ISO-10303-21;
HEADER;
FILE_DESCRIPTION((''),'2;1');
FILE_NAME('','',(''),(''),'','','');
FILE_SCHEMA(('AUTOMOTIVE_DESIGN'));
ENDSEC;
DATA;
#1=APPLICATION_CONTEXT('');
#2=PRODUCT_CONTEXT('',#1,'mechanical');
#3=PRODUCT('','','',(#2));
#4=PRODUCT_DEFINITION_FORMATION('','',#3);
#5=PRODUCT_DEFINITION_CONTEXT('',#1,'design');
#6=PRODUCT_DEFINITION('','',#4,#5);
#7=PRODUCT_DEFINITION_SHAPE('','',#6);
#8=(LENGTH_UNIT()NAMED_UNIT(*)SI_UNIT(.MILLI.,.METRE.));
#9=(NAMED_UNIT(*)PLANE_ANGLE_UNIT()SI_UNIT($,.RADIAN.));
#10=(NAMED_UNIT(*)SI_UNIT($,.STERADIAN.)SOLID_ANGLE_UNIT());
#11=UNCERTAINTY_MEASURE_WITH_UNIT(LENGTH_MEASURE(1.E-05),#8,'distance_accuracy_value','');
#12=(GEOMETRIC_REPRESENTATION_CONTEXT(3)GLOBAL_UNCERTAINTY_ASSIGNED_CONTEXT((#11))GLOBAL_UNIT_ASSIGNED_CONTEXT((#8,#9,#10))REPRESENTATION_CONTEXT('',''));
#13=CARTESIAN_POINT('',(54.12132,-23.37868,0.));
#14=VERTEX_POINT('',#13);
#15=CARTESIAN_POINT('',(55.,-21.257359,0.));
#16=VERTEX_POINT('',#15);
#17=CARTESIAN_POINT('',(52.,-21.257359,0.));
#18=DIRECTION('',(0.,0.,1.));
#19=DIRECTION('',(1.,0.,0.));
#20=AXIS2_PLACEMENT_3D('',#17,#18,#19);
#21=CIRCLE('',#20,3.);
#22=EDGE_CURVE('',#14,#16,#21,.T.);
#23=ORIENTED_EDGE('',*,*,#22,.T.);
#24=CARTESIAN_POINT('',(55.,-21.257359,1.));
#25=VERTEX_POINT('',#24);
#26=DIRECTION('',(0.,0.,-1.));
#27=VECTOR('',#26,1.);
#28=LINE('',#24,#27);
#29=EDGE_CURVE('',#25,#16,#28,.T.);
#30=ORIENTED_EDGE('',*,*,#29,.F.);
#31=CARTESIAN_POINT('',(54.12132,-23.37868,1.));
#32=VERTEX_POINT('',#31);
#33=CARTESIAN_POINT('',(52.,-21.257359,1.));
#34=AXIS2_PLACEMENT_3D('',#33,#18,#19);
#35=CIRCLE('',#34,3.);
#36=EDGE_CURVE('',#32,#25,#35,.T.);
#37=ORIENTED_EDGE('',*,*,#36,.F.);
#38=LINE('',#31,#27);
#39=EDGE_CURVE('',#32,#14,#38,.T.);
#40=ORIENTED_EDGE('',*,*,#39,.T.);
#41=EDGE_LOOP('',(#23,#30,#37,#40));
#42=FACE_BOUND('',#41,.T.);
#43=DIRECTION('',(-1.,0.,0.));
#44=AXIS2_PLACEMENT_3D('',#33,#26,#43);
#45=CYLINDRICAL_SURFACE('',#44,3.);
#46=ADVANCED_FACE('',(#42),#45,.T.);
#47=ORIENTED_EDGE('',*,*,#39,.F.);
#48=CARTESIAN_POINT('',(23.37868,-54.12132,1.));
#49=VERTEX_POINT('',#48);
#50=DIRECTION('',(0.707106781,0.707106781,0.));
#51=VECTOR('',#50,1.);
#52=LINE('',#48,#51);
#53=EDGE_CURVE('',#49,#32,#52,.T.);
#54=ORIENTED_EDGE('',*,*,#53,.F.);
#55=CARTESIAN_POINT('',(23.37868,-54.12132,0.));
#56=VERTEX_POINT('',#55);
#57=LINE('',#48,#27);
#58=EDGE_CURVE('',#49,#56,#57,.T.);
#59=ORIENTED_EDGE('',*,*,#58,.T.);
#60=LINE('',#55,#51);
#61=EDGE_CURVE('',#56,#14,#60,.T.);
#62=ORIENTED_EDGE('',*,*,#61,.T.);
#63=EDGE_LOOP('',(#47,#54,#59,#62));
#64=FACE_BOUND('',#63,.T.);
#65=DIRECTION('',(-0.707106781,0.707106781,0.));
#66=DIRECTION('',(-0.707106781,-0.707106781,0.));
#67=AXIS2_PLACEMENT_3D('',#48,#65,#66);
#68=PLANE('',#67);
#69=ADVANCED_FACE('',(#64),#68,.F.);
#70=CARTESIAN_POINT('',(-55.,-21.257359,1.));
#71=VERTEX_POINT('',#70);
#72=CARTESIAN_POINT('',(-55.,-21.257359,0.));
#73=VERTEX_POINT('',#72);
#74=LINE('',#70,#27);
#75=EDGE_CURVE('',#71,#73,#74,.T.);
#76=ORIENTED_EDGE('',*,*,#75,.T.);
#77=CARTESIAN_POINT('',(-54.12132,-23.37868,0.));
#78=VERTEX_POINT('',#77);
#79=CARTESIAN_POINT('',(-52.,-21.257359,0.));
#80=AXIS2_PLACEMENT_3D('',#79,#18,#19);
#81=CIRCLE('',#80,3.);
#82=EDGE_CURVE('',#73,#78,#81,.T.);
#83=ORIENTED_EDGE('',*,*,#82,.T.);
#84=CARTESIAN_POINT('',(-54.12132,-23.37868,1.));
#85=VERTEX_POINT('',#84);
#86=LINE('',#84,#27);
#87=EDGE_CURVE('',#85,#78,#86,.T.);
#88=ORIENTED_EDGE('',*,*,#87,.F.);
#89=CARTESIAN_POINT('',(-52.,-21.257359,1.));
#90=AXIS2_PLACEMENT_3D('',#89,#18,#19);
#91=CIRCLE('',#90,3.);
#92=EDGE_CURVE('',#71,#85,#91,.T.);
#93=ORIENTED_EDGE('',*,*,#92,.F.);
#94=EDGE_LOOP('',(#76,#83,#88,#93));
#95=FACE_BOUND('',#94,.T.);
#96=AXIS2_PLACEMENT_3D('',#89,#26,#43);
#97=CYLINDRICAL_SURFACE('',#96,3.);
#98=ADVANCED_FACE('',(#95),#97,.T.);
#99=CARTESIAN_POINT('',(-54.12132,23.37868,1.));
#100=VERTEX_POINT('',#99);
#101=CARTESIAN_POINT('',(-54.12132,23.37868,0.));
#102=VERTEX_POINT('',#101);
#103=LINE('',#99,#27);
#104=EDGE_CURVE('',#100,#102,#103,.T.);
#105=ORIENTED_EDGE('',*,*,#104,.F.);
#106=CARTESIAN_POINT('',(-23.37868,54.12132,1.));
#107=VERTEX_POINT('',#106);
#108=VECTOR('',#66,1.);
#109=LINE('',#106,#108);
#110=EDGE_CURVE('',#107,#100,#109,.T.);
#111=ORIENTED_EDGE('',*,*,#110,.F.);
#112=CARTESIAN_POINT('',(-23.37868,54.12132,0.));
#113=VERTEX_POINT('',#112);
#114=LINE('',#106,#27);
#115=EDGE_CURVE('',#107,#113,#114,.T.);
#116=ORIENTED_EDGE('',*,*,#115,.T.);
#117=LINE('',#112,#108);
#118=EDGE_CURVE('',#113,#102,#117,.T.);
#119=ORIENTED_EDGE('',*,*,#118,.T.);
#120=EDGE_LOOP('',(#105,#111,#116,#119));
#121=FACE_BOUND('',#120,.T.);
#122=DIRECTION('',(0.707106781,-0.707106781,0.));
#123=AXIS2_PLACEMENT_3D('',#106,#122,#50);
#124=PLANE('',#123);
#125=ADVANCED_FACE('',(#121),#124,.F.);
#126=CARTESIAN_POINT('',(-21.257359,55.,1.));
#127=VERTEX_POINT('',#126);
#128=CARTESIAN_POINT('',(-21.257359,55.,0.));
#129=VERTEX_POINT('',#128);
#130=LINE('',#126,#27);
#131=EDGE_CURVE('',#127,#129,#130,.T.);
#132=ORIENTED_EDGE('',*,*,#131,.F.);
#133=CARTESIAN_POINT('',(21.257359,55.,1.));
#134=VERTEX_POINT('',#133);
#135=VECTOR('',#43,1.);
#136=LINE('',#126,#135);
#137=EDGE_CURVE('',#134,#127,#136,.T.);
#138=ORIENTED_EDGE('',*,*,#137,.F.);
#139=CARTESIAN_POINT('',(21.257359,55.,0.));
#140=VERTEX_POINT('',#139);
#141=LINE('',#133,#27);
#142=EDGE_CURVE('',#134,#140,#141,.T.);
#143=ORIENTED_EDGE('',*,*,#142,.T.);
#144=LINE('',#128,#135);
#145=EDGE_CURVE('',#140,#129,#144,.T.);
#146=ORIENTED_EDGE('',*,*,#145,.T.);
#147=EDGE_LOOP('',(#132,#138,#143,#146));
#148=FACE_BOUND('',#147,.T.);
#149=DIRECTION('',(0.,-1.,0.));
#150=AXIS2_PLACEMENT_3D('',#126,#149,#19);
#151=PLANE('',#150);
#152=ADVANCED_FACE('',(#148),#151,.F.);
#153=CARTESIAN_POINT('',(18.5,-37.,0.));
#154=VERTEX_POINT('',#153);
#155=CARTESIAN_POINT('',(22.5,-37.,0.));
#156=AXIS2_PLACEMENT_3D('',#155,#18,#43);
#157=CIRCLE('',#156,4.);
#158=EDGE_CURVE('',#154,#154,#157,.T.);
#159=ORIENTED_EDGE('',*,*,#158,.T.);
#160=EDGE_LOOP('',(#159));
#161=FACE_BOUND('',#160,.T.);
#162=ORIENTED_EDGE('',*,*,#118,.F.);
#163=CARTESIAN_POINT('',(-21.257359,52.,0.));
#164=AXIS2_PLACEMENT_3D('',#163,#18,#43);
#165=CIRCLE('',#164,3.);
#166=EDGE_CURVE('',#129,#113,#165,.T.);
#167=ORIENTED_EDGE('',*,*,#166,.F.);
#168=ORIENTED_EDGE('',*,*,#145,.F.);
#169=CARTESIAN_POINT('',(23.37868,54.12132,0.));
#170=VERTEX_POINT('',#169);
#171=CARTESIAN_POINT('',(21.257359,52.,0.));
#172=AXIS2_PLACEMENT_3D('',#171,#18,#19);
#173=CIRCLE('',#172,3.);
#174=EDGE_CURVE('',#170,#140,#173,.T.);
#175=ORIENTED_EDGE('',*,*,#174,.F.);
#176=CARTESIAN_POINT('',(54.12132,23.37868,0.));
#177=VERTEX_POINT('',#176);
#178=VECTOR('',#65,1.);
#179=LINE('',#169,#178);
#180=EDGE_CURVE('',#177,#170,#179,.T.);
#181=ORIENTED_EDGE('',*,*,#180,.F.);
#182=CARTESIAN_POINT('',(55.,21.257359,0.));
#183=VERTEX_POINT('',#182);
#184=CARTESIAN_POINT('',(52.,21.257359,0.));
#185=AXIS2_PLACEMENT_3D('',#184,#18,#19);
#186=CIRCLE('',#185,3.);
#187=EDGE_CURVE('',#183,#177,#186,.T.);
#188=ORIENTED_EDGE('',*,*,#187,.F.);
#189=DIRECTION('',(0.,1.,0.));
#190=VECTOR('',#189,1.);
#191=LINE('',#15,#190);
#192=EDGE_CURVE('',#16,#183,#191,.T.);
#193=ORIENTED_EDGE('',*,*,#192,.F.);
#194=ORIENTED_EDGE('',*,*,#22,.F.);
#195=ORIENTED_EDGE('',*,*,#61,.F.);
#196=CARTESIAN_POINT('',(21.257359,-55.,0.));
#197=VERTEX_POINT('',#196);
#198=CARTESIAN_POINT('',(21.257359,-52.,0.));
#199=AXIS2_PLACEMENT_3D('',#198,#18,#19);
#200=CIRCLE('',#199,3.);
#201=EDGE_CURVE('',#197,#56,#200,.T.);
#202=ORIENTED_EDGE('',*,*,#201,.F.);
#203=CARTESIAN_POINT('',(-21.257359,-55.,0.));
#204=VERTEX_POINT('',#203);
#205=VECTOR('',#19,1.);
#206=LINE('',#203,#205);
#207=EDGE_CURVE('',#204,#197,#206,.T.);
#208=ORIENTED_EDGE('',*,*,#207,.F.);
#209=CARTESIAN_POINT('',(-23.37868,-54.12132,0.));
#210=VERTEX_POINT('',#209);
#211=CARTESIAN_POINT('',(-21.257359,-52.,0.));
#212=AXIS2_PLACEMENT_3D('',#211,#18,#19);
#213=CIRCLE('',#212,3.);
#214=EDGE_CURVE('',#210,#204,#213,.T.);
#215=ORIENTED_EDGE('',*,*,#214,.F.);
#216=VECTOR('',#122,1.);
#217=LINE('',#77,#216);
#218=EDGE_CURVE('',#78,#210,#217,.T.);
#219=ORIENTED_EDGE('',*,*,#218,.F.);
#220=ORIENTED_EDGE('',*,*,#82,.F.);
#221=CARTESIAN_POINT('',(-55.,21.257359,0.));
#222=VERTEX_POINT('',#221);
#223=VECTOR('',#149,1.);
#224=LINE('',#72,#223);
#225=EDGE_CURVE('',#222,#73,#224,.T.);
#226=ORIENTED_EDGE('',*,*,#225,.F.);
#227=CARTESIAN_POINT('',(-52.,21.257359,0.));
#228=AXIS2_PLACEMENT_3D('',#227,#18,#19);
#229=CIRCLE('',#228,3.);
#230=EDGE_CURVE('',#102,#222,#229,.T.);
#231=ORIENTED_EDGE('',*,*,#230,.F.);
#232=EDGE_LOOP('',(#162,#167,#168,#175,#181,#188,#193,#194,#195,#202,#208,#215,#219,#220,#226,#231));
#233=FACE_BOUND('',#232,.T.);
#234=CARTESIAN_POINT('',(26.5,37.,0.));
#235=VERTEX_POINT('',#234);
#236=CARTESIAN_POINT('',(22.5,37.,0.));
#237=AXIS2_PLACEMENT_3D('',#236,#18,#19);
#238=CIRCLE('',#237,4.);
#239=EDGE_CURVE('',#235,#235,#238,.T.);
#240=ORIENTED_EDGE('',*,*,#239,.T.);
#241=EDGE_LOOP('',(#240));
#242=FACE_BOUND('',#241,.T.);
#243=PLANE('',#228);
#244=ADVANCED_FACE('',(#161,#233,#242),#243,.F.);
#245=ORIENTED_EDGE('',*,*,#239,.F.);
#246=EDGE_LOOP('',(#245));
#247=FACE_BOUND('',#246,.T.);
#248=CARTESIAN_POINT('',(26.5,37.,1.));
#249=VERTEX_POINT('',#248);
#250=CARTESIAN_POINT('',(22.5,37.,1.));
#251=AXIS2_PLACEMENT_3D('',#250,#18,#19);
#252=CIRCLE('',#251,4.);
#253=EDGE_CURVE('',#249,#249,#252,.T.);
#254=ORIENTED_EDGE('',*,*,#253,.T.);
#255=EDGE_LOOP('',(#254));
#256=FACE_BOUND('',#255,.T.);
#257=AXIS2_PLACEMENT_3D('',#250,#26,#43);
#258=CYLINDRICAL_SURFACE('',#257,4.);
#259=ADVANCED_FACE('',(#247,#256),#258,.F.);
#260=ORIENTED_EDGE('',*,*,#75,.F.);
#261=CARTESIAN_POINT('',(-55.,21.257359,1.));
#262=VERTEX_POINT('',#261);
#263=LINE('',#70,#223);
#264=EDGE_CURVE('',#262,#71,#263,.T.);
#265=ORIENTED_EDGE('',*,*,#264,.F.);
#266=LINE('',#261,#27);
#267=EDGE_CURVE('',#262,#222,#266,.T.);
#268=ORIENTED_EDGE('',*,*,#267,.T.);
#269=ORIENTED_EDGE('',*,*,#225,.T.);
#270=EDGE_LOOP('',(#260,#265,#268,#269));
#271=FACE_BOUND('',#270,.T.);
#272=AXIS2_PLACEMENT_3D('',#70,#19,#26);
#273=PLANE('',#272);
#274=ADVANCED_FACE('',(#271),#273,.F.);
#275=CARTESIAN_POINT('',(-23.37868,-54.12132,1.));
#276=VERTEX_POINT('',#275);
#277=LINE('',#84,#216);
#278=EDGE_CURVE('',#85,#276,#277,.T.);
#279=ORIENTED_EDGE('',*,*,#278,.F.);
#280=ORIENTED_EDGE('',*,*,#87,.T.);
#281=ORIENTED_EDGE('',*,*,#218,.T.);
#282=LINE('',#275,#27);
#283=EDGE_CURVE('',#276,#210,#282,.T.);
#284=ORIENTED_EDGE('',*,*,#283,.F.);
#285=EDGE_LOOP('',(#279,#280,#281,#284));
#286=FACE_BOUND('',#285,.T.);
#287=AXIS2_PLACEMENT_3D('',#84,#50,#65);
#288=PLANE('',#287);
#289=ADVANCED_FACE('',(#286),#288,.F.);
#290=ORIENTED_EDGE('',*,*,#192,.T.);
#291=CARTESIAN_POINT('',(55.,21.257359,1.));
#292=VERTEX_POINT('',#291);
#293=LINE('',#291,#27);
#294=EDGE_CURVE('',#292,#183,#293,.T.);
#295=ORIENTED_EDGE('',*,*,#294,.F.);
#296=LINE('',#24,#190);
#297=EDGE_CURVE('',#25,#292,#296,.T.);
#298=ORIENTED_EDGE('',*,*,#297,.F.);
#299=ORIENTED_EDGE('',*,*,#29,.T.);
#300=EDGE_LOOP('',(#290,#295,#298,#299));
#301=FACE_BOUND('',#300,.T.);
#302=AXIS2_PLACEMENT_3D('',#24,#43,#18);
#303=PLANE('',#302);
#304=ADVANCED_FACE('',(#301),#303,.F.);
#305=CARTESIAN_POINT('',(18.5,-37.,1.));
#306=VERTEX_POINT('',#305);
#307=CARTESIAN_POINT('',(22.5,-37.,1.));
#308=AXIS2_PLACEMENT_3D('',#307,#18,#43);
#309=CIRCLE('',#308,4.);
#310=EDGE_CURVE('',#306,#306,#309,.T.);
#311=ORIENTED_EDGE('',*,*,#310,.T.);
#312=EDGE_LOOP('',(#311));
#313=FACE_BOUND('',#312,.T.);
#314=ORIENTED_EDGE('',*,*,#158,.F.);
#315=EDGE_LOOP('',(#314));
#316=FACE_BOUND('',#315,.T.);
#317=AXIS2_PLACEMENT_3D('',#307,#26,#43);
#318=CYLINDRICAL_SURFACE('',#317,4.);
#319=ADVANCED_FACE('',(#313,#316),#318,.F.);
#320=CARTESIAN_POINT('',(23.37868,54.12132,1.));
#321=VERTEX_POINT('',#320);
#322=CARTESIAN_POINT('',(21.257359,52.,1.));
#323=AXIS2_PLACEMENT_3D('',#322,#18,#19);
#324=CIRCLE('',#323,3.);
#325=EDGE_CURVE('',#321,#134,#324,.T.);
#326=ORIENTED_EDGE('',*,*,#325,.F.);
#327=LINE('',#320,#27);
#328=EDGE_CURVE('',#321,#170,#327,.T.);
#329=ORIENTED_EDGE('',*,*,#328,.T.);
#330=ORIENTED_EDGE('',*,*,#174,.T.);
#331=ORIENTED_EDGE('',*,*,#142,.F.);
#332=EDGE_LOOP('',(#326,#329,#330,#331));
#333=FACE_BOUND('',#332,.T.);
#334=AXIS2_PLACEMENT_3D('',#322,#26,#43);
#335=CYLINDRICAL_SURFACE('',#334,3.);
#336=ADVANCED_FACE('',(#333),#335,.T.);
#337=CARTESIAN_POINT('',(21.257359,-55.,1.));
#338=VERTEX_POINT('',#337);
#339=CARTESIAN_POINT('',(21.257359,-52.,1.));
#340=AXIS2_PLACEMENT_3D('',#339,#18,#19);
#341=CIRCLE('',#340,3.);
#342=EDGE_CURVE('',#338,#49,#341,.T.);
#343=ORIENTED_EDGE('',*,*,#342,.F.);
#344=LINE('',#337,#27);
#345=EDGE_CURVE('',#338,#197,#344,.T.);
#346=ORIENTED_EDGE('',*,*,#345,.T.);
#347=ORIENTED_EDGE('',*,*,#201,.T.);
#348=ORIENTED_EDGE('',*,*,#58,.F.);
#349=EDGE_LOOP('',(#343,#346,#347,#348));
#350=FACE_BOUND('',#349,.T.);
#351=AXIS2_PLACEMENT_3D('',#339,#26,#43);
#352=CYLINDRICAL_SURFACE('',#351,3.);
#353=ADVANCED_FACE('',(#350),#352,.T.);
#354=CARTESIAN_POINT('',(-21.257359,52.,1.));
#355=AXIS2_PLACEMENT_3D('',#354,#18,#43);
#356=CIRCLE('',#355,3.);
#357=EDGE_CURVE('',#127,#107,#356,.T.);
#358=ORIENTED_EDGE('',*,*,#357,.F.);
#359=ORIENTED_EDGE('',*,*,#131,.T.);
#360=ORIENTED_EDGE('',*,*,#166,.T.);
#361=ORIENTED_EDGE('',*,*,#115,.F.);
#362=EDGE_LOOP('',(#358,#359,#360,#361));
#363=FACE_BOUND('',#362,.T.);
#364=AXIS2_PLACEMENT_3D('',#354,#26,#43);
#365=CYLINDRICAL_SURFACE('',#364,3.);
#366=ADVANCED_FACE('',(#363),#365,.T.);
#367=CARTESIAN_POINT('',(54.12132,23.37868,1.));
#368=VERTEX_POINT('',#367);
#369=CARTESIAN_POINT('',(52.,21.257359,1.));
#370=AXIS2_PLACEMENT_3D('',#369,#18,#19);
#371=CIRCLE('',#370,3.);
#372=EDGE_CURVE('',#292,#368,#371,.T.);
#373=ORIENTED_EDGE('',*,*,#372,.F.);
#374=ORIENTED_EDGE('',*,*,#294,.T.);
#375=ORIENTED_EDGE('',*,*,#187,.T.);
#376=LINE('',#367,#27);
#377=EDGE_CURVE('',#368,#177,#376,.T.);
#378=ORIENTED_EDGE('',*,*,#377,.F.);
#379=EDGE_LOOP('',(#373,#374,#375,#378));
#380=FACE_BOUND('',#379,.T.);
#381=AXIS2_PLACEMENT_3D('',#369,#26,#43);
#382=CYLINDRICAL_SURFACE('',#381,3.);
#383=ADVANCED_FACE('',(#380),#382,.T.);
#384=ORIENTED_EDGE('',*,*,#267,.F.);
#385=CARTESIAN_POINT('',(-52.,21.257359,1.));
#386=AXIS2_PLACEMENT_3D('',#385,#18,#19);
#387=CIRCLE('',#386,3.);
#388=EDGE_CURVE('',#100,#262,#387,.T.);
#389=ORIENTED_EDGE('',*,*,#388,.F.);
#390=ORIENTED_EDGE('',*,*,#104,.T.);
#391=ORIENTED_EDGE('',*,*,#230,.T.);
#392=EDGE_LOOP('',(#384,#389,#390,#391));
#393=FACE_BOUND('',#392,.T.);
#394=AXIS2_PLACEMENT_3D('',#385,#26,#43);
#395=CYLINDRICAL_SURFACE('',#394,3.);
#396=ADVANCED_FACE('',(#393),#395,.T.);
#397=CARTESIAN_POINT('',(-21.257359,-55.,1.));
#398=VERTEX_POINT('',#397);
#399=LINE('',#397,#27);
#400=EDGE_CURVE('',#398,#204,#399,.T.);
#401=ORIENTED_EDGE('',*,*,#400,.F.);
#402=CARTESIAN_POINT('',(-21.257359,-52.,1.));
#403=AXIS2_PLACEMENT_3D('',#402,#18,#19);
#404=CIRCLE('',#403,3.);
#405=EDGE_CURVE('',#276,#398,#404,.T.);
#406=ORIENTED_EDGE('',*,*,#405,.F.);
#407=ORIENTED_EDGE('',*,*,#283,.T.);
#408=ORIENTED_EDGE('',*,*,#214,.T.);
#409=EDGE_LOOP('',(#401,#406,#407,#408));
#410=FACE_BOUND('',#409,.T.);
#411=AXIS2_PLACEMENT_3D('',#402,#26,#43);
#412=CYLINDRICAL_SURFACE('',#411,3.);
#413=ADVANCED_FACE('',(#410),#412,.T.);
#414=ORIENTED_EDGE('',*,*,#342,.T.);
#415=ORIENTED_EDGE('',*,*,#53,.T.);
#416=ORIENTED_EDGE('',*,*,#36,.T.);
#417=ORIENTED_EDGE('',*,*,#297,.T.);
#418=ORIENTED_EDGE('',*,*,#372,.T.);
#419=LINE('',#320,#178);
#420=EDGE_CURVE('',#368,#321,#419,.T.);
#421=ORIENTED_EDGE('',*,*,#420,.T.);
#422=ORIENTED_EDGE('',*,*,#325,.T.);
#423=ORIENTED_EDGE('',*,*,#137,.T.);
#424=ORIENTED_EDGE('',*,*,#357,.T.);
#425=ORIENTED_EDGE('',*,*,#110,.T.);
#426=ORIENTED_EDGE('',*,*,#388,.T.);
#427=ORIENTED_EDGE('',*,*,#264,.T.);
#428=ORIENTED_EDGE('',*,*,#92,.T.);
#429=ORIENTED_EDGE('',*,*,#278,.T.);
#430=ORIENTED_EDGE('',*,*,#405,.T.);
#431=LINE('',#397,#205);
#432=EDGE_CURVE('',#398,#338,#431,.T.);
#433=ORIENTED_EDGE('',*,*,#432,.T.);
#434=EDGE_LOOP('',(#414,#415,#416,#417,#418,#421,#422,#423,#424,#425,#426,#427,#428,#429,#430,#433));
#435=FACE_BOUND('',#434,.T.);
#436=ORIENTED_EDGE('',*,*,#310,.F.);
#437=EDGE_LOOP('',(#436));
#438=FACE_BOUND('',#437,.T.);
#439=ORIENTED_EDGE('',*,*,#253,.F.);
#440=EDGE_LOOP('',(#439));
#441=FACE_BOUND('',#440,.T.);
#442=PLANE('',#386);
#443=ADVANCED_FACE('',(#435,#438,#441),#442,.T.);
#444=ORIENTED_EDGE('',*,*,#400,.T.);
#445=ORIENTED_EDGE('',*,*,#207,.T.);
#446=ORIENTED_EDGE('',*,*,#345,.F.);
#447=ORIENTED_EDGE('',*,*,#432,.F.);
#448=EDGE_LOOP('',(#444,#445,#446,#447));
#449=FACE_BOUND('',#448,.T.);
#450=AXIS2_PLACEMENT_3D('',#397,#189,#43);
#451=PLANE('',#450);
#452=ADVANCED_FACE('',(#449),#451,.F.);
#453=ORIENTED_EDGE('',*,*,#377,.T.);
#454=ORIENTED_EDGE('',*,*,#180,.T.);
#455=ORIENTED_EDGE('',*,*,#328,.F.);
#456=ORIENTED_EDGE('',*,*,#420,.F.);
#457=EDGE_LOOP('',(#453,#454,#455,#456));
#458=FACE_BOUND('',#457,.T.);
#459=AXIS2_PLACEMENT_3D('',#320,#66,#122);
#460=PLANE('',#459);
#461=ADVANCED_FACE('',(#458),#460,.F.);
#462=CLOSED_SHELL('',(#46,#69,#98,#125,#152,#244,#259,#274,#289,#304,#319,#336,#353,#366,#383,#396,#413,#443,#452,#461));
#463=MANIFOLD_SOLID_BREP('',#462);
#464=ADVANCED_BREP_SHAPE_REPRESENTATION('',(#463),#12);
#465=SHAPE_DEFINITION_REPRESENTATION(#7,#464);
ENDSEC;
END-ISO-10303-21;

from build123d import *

# Parameters (mm, degrees)
SKETCH3_R           = 4
BOSS_EXTRUDE1_DEPTH = 1


with BuildPart() as part:
    # Sketch3 → Boss-Extrude1 (new body)
    with BuildSketch(Plane.XY):
        with BuildLine():
            Line((55, -21.257359313), (55, 21.257359313))
            ThreePointArc((55, 21.257359313), (54.771638598, 22.40540961), (54.121320344, 23.378679656))
            Line((54.121320344, 23.378679656), (23.378679656, 54.121320344))
            ThreePointArc((23.378679656, 54.121320344), (22.40540961, 54.771638598), (21.257359313, 55))
            Line((21.257359313, 55), (-21.257359313, 55))
            ThreePointArc((-21.257359313, 55), (-22.40540961, 54.771638598), (-23.378679656, 54.121320344))
            Line((-23.378679656, 54.121320344), (-54.121320344, 23.378679656))
            ThreePointArc((-54.121320344, 23.378679656), (-54.771638598, 22.40540961), (-55, 21.257359313))
            Line((-55, 21.257359313), (-55, -21.257359313))
            ThreePointArc((-55, -21.257359313), (-54.771638598, -22.40540961), (-54.121320344, -23.378679656))
            Line((-54.121320344, -23.378679656), (-23.378679656, -54.121320344))
            ThreePointArc((-23.378679656, -54.121320344), (-22.40540961, -54.771638598), (-21.257359313, -55))
            Line((-21.257359313, -55), (21.257359313, -55))
            ThreePointArc((21.257359313, -55), (22.40540961, -54.771638598), (23.378679656, -54.121320344))
            Line((23.378679656, -54.121320344), (54.121320344, -23.378679656))
            ThreePointArc((54.121320344, -23.378679656), (54.771638598, -22.40540961), (55, -21.257359313))
        make_face()
        with Locations((22.5, 37)):
            Circle(SKETCH3_R, mode=Mode.SUBTRACT)
        with Locations(Location((22.5, -37, 0), (0, 0, 180))):
            Circle(SKETCH3_R, mode=Mode.SUBTRACT)
    extrude(amount=BOSS_EXTRUDE1_DEPTH)


solid = part.part
